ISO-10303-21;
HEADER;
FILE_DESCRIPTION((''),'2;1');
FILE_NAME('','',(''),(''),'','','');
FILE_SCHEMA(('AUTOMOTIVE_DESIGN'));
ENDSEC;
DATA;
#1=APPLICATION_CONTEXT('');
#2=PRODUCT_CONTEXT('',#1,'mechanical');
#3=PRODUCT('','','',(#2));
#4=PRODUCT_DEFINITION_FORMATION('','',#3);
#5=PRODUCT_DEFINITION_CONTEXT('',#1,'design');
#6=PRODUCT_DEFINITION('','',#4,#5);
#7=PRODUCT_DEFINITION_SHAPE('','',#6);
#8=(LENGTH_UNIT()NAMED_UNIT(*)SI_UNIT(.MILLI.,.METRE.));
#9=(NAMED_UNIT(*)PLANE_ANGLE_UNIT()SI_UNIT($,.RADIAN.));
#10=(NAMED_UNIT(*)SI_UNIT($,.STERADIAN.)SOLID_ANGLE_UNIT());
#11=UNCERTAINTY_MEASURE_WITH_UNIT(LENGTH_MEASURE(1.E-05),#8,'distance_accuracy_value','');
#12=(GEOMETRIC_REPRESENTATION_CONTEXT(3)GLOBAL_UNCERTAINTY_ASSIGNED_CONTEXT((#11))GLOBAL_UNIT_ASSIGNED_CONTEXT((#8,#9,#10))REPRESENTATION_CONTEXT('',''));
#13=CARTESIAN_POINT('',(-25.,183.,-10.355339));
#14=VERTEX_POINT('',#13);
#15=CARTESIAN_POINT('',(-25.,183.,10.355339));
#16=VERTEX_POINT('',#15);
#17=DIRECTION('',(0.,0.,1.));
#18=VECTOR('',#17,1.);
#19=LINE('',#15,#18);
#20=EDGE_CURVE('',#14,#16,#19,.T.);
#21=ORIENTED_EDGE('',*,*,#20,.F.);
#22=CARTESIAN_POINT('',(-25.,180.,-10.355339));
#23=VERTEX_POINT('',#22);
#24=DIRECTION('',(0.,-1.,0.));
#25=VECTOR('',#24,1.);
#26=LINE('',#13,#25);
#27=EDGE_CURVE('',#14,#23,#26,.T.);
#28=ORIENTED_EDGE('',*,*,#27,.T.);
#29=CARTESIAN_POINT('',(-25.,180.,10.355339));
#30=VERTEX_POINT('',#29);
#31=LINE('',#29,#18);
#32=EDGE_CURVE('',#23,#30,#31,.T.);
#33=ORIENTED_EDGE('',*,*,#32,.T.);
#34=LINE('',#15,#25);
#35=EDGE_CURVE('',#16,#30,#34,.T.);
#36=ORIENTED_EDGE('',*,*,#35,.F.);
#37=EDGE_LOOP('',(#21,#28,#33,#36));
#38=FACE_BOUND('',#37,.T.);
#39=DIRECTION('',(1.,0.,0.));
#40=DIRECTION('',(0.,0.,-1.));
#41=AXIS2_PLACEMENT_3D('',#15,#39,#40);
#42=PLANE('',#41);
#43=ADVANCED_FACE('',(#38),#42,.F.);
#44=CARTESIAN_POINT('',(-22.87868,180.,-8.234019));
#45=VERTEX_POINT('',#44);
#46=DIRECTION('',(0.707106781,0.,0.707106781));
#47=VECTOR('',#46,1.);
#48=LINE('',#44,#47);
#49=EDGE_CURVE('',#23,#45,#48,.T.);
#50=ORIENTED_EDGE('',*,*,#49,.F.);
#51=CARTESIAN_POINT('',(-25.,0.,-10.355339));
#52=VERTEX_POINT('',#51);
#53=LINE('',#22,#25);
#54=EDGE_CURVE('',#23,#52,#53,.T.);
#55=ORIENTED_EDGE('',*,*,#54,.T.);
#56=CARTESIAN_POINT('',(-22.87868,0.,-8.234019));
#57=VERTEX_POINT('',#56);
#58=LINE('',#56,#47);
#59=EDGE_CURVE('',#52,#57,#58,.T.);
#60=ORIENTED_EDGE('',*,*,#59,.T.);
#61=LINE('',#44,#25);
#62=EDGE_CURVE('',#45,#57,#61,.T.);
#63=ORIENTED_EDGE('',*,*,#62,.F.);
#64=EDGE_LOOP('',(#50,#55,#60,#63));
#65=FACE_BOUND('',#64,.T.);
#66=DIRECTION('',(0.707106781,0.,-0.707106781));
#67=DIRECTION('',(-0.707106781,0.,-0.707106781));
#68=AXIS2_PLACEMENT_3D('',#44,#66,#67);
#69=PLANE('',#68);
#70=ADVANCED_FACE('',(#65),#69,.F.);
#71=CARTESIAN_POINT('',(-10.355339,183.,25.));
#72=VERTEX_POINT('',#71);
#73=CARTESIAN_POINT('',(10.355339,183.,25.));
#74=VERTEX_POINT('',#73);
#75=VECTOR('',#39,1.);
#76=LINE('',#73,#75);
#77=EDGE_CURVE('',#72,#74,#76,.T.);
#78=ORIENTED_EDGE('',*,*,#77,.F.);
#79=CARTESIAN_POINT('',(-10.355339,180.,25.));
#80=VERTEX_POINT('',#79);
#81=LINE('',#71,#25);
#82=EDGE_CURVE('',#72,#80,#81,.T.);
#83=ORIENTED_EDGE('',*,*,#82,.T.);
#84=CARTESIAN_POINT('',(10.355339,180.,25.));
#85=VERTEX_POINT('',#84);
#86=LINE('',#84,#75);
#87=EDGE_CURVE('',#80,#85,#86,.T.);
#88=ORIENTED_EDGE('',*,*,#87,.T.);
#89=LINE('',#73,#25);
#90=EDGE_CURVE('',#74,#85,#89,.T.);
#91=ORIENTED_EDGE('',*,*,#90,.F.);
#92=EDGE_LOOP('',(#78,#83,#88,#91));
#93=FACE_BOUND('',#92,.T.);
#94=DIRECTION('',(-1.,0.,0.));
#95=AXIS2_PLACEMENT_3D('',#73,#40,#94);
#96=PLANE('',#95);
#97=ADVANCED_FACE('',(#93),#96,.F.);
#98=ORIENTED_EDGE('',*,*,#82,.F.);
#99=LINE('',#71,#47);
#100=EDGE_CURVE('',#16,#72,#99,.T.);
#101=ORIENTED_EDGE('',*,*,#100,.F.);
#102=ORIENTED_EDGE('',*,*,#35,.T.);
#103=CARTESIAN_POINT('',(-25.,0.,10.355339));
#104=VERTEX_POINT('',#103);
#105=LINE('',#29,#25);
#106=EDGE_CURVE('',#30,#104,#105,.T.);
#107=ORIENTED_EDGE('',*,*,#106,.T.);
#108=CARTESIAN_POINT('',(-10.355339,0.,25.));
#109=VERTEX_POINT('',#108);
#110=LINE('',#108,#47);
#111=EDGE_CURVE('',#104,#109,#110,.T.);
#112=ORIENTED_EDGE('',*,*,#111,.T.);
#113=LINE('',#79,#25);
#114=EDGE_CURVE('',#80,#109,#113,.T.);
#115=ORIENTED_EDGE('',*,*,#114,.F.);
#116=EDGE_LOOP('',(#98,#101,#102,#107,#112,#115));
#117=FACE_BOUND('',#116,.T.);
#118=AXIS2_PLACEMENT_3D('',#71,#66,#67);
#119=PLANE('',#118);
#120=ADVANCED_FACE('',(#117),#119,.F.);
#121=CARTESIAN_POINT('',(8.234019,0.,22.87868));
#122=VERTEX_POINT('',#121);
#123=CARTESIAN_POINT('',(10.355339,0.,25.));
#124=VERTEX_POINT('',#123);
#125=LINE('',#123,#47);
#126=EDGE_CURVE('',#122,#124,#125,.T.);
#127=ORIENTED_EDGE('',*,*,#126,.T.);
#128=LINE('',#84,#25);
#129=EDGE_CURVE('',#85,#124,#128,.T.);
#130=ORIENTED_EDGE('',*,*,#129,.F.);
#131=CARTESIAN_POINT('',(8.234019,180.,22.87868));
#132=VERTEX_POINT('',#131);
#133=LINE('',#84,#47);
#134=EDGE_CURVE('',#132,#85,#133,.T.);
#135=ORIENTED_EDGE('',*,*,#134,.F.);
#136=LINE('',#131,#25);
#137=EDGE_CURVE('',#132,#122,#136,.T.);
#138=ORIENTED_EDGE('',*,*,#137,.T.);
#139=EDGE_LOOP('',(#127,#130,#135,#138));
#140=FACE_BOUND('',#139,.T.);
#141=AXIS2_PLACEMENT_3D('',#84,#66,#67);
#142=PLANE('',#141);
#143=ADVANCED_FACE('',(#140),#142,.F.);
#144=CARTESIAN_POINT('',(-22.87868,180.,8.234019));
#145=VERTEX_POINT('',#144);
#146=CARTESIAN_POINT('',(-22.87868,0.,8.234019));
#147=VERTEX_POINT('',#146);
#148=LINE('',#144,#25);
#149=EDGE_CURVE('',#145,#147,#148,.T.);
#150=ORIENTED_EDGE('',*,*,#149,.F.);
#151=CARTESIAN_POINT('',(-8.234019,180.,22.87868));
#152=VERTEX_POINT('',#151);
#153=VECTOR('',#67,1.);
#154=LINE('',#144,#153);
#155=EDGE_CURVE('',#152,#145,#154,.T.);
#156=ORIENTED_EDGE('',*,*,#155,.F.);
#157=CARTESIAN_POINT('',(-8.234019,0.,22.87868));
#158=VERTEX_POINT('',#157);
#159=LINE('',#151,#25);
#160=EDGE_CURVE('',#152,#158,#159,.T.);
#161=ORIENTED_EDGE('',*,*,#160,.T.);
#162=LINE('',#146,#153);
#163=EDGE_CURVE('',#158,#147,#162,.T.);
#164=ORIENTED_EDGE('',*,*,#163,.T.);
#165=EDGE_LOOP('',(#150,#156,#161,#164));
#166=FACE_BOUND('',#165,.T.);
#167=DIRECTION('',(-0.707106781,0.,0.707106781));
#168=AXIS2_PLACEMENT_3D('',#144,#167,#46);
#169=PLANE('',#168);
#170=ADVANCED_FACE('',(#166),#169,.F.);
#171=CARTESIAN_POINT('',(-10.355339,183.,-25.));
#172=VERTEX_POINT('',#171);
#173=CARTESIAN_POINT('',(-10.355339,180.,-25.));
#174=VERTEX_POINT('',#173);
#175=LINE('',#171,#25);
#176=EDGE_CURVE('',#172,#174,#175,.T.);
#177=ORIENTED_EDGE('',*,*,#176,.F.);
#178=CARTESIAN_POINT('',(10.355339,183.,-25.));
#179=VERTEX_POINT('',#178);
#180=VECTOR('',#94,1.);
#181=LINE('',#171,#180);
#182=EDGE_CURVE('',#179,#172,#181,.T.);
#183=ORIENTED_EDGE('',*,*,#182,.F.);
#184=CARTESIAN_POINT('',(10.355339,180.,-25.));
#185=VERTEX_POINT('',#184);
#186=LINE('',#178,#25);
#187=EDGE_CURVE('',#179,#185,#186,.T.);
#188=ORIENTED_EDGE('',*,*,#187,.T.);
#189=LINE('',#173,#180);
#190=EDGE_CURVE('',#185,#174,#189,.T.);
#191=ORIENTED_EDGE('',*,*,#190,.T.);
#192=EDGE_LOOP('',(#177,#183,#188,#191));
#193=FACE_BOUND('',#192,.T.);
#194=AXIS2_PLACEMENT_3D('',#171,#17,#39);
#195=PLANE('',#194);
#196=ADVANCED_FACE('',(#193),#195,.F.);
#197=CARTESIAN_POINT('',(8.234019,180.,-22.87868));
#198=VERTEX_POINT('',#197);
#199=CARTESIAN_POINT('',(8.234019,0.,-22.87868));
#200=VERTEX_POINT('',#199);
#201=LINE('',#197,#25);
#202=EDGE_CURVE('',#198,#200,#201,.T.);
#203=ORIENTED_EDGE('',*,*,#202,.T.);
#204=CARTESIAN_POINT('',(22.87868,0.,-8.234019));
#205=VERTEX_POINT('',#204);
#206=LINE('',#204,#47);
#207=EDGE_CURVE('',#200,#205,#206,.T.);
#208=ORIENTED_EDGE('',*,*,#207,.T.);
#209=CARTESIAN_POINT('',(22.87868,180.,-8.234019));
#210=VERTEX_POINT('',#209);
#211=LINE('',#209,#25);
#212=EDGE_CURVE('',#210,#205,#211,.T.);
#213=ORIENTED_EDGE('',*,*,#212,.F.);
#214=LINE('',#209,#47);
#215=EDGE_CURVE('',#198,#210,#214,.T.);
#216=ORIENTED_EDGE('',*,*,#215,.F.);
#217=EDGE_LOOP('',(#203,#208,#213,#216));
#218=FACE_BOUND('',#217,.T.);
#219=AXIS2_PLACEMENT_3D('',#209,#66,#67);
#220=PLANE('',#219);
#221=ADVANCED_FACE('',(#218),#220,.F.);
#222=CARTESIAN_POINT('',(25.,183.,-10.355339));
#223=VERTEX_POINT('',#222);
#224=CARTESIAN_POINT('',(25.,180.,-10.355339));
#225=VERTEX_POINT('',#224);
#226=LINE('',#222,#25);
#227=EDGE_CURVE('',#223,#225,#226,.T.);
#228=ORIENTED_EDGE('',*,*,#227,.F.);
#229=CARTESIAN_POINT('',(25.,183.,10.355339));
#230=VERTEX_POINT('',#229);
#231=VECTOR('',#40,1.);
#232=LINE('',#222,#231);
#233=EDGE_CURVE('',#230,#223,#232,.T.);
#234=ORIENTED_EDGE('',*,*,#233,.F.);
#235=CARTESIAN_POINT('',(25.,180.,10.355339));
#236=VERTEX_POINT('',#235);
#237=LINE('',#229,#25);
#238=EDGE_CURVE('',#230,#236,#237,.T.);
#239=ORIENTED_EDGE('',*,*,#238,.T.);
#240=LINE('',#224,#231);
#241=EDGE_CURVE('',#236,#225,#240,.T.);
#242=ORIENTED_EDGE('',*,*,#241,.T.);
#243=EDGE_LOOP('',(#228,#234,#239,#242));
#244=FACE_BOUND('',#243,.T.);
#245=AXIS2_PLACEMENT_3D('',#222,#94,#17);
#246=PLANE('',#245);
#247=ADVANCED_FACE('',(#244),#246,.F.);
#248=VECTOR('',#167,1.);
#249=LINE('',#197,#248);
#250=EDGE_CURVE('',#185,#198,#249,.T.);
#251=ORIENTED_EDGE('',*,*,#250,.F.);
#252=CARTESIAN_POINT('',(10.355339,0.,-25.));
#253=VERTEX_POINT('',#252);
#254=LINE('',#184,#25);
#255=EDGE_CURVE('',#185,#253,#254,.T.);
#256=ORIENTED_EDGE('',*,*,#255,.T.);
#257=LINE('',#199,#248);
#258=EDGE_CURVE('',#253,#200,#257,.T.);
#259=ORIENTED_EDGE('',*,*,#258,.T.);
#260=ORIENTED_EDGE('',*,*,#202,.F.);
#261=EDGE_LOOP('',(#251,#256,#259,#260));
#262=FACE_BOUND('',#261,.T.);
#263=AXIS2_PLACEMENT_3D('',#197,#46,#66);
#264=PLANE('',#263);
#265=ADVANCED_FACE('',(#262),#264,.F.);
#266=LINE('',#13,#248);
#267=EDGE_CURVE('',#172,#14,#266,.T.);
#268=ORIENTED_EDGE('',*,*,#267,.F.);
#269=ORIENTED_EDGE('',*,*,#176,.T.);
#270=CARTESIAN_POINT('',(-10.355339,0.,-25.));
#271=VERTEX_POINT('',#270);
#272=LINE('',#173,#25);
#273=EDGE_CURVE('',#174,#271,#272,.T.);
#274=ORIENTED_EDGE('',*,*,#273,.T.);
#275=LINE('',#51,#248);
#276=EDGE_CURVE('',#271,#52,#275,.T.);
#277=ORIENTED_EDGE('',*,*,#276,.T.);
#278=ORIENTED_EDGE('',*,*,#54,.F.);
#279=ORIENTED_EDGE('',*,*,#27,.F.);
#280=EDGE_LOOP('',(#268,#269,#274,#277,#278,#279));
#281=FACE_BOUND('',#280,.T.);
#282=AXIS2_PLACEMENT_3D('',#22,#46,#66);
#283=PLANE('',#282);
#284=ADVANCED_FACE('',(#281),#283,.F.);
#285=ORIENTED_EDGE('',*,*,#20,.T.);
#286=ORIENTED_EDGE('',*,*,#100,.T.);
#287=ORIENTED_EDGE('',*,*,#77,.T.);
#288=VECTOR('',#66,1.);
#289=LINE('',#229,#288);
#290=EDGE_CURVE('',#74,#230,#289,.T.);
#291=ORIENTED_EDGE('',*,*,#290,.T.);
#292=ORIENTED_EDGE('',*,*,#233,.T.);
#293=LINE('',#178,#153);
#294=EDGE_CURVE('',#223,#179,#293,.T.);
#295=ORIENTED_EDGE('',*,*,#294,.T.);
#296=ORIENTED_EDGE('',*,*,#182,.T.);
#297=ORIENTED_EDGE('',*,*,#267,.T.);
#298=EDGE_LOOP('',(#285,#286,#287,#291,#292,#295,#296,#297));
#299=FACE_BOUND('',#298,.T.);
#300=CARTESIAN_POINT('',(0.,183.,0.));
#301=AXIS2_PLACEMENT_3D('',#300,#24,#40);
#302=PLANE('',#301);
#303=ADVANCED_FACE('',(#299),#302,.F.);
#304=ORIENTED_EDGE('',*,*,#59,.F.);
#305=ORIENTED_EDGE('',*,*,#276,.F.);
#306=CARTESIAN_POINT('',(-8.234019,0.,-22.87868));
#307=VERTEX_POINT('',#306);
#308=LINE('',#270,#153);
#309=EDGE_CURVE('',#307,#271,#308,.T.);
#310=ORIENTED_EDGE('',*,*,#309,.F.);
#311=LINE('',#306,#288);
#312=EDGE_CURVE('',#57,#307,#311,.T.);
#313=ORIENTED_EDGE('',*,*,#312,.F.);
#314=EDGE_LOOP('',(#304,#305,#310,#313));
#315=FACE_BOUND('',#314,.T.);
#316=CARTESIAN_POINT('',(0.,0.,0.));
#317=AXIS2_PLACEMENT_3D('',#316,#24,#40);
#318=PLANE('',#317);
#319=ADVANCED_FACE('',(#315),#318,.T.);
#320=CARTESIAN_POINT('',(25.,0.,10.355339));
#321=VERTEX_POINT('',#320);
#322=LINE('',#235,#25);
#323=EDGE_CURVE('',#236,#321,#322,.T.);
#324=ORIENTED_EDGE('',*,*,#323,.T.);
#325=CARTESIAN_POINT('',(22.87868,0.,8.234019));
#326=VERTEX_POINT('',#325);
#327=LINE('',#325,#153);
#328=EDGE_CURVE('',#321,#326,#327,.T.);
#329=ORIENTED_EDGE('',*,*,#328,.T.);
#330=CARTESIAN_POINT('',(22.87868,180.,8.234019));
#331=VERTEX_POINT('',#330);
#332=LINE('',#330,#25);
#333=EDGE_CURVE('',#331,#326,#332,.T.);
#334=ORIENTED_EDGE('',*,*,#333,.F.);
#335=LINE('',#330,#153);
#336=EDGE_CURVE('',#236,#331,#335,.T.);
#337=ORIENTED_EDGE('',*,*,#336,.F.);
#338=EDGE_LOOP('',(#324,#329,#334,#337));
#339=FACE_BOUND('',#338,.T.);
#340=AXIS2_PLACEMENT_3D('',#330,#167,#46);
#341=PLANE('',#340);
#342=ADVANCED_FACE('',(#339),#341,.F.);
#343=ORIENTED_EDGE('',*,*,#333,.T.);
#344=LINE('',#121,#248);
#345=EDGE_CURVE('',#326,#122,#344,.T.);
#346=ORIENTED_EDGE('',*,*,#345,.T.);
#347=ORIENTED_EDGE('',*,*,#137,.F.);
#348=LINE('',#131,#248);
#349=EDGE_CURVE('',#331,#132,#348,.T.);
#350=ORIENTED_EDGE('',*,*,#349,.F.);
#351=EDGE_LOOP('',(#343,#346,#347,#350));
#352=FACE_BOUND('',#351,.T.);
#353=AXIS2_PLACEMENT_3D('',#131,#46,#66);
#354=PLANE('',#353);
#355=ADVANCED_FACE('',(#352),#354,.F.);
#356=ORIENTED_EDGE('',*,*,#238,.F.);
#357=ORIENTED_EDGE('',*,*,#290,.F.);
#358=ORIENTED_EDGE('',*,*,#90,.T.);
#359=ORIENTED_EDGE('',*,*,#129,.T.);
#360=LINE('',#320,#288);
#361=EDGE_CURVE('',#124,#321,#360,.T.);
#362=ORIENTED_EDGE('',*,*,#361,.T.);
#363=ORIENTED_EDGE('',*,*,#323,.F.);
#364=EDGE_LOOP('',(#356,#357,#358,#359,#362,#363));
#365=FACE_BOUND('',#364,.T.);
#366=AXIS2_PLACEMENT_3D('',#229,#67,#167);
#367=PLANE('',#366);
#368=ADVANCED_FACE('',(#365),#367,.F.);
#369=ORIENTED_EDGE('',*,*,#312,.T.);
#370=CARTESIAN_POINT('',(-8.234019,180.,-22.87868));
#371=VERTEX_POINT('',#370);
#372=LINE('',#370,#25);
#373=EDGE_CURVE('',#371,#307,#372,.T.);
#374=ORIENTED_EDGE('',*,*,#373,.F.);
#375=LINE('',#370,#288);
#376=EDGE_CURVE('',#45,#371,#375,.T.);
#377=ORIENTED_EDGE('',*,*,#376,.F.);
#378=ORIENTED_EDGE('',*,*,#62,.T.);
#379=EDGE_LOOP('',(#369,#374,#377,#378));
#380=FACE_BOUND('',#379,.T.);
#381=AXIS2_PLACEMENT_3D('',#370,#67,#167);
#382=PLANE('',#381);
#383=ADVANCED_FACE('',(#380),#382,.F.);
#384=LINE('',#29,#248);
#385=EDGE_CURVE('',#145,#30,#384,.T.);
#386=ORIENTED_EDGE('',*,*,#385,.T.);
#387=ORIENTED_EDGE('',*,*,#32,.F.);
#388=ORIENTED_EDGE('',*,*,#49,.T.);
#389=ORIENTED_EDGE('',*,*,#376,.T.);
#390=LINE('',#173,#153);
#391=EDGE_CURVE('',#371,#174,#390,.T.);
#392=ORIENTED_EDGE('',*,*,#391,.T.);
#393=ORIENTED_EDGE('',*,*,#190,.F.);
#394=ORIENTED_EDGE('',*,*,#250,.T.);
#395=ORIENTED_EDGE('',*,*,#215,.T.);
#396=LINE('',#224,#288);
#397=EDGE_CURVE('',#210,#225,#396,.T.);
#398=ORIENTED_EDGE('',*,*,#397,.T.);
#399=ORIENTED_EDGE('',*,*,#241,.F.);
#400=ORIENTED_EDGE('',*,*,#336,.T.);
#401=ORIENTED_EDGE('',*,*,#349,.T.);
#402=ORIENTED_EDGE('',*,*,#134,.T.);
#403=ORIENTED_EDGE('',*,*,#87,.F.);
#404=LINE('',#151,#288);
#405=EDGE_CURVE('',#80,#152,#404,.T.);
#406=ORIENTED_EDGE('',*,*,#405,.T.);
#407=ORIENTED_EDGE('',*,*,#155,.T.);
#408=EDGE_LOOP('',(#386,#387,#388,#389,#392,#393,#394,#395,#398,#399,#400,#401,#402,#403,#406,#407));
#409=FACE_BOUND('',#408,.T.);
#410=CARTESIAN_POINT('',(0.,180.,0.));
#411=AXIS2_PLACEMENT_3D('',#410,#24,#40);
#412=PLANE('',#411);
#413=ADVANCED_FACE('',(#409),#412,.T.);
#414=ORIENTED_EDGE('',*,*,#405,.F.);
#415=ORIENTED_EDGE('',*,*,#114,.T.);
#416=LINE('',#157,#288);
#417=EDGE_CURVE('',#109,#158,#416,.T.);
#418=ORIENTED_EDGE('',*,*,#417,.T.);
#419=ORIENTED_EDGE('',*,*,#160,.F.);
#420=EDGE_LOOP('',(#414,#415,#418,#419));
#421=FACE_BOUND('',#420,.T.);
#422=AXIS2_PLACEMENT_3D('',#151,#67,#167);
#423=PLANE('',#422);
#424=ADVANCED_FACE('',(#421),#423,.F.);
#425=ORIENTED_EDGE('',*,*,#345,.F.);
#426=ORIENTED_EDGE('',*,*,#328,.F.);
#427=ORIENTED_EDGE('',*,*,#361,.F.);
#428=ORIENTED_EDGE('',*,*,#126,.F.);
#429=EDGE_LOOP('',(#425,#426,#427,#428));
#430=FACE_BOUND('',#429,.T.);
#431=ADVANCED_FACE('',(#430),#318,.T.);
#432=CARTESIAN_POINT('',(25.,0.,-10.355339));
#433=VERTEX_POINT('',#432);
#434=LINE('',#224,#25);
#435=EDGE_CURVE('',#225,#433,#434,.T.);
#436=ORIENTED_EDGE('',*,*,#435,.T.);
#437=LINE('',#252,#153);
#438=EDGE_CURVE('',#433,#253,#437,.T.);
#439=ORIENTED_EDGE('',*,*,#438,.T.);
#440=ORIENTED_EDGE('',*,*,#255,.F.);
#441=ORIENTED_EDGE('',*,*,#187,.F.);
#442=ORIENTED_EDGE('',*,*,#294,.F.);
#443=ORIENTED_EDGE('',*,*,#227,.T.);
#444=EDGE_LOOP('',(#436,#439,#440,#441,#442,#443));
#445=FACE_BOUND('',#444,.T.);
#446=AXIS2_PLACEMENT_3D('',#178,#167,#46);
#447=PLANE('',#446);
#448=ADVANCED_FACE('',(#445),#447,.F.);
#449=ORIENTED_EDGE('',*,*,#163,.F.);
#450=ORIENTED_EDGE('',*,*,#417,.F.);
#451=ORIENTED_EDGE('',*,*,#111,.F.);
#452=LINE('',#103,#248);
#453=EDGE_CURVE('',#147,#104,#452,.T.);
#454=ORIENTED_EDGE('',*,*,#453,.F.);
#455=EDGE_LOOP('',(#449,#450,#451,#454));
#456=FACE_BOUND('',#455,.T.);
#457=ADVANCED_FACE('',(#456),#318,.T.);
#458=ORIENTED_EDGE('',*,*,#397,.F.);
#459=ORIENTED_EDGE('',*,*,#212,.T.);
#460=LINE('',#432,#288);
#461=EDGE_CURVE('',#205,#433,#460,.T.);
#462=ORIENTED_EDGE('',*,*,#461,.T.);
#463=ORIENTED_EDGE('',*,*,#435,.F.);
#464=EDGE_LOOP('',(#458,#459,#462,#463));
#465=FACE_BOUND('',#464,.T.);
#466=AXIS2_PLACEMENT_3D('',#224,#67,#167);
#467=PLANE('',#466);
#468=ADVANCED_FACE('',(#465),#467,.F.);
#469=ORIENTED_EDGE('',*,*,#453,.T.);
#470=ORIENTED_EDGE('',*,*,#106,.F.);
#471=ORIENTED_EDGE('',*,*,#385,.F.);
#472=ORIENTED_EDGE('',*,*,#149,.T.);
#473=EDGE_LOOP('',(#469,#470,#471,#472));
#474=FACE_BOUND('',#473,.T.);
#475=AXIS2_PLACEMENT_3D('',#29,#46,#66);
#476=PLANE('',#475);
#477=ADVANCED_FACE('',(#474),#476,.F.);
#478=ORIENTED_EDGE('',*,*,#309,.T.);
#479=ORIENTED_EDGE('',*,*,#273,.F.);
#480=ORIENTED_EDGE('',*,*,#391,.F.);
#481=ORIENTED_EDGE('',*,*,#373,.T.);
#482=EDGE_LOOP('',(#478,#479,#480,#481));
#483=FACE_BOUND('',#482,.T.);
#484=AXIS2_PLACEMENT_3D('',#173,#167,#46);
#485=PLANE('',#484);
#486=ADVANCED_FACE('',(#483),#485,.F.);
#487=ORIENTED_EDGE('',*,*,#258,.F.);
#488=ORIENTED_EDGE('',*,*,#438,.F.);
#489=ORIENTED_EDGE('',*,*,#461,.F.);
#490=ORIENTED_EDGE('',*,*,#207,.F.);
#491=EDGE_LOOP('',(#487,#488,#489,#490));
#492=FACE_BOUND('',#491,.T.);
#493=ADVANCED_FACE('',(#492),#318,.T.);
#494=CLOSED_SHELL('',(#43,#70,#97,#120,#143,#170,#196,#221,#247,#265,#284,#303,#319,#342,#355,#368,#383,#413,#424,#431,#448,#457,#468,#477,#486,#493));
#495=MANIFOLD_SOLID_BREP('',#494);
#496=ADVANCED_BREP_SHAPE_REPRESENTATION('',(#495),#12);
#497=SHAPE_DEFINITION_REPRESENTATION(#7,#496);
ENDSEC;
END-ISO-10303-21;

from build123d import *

# Parameters (mm, degrees)
RESSALTO_EXTRUS_O1_DEPTH   = 180
RESSALTO_EXTRUS_O1_2_DEPTH = 180
RESSALTO_EXTRUS_O1_3_DEPTH = 180
RESSALTO_EXTRUS_O1_4_DEPTH = 180
RESSALTO_EXTRUS_O2_DEPTH   = 3


with BuildPart() as part:
    # Esboço1 → Ressalto-extrusão1 (new body)
    with BuildSketch(Plane(origin=(0, 0, 0), x_dir=(1, 0, 0), z_dir=(0, 1, 0))):
        Polygon((-25, 10.355339059), (-10.355339059, 25), (-8.234018716, 22.878679656), (-22.878679656, 8.234018716), align=None)
    extrude(amount=RESSALTO_EXTRUS_O1_DEPTH)



with BuildPart() as body_2:
    # Esboço1 → Ressalto-extrus_o1 2 (new body)
    with BuildSketch(Plane(origin=(0, 0, 0), x_dir=(1, 0, 0), z_dir=(0, 1, 0))):
        Polygon((10.355339059, 25), (25, 10.355339059), (22.878679656, 8.234018716), (8.234018716, 22.878679656), align=None)
    extrude(amount=RESSALTO_EXTRUS_O1_2_DEPTH)


with BuildPart() as body_3:
    # Esboço1 → Ressalto-extrus_o1 3 (new body)
    with BuildSketch(Plane(origin=(0, 0, 0), x_dir=(1, 0, 0), z_dir=(0, 1, 0))):
        Polygon((25, -10.355339059), (10.355339059, -25), (8.234018716, -22.878679656), (22.878679656, -8.234018716), align=None)
    extrude(amount=RESSALTO_EXTRUS_O1_3_DEPTH)


with BuildPart() as body_4:
    # Esboço1 → Ressalto-extrus_o1 4 (new body)
    with BuildSketch(Plane(origin=(0, 0, 0), x_dir=(1, 0, 0), z_dir=(0, 1, 0))):
        Polygon((-10.355339059, -25), (-25, -10.355339059), (-22.878679656, -8.234018716), (-8.234018716, -22.878679656), align=None)
    extrude(amount=RESSALTO_EXTRUS_O1_4_DEPTH)


with BuildPart() as part_1:
    add(part.part)

    add(body_2.part)  # Ressalto-extrusão2 merges body 2

    add(body_3.part)  # Ressalto-extrusão2 merges body 3

    add(body_4.part)  # Ressalto-extrusão2 merges body 4
    # Esboço2 → Ressalto-extrusão2 (add)
    with BuildSketch(Plane(origin=(0, 180, 0), x_dir=(1, 0, 0), z_dir=(0, 1, 0))):
        Polygon((-10.355339059, 25), (10.355339059, 25), (25, 10.355339059), (25, -10.355339059), (10.355339059, -25), (-10.355339059, -25), (-25, -10.355339059), (-25, 10.355339059), align=None)
    extrude(amount=RESSALTO_EXTRUS_O2_DEPTH)


solid = part_1.part
